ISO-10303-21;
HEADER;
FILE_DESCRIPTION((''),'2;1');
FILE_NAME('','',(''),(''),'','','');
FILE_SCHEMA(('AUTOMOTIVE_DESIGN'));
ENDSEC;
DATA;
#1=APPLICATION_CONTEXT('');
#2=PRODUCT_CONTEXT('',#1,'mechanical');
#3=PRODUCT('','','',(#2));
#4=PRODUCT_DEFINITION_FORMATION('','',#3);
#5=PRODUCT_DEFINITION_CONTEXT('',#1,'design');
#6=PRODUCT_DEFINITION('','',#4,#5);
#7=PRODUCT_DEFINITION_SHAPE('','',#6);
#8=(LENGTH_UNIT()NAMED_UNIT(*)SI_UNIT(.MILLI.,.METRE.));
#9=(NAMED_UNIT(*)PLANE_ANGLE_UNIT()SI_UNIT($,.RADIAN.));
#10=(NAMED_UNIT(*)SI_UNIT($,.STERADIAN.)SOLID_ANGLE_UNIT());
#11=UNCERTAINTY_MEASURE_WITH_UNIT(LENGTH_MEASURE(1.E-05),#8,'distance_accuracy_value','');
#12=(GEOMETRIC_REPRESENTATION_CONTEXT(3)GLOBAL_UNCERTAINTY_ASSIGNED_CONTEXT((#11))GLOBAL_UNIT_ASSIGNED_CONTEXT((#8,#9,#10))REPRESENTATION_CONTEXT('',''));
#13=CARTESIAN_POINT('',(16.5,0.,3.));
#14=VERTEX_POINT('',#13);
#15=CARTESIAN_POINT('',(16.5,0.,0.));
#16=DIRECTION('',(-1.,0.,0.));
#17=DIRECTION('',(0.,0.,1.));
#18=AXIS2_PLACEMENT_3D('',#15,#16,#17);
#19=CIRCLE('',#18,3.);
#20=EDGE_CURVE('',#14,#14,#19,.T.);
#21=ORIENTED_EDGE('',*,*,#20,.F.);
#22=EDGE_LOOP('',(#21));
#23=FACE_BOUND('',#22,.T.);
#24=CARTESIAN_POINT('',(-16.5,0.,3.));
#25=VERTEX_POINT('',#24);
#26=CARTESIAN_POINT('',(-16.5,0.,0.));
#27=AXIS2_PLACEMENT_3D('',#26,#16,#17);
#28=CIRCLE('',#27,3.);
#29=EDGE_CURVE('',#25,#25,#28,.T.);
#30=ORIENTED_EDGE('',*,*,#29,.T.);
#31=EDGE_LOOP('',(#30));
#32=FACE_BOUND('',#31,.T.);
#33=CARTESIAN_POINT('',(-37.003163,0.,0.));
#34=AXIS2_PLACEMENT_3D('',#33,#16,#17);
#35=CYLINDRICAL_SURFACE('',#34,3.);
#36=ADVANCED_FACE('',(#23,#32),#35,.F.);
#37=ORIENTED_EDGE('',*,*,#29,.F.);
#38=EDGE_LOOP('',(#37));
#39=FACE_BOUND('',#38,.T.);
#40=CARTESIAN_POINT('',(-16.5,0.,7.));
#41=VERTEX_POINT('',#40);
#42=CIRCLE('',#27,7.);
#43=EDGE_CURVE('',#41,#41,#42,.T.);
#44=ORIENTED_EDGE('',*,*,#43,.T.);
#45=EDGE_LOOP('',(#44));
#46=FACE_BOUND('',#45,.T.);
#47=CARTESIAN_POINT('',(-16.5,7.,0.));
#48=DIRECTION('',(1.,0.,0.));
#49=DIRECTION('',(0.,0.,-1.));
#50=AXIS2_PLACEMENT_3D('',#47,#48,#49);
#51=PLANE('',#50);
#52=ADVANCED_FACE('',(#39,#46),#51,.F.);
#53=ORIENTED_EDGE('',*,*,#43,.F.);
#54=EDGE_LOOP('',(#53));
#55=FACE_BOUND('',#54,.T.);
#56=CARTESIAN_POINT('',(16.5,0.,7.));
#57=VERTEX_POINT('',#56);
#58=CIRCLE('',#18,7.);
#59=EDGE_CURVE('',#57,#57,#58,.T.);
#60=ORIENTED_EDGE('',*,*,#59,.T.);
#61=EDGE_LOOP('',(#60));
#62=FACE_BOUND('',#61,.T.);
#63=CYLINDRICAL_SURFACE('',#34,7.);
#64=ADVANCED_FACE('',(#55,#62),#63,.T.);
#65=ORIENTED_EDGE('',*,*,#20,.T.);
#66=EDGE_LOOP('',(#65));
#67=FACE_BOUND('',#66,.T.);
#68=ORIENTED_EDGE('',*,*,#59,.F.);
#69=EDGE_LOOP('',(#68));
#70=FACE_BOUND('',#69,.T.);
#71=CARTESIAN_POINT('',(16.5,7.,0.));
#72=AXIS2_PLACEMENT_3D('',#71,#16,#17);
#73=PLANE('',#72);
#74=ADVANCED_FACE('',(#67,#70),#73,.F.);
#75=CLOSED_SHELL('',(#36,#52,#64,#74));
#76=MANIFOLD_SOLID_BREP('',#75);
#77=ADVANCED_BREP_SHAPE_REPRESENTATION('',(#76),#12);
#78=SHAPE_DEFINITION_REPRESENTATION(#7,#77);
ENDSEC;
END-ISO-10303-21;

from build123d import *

# Parameters (mm, degrees)
SKETCH1_W = 33
SKETCH1_H = 4


with BuildPart() as part:
    # Sketch1 → Revolve1 (revolve)
    with BuildSketch(Plane.XY):
        with Locations((0, 5)):
            Rectangle(SKETCH1_W, SKETCH1_H)
    revolve(axis=Axis((-37.003163219, 0, 0), (1, 0, 0)))


solid = part.part
